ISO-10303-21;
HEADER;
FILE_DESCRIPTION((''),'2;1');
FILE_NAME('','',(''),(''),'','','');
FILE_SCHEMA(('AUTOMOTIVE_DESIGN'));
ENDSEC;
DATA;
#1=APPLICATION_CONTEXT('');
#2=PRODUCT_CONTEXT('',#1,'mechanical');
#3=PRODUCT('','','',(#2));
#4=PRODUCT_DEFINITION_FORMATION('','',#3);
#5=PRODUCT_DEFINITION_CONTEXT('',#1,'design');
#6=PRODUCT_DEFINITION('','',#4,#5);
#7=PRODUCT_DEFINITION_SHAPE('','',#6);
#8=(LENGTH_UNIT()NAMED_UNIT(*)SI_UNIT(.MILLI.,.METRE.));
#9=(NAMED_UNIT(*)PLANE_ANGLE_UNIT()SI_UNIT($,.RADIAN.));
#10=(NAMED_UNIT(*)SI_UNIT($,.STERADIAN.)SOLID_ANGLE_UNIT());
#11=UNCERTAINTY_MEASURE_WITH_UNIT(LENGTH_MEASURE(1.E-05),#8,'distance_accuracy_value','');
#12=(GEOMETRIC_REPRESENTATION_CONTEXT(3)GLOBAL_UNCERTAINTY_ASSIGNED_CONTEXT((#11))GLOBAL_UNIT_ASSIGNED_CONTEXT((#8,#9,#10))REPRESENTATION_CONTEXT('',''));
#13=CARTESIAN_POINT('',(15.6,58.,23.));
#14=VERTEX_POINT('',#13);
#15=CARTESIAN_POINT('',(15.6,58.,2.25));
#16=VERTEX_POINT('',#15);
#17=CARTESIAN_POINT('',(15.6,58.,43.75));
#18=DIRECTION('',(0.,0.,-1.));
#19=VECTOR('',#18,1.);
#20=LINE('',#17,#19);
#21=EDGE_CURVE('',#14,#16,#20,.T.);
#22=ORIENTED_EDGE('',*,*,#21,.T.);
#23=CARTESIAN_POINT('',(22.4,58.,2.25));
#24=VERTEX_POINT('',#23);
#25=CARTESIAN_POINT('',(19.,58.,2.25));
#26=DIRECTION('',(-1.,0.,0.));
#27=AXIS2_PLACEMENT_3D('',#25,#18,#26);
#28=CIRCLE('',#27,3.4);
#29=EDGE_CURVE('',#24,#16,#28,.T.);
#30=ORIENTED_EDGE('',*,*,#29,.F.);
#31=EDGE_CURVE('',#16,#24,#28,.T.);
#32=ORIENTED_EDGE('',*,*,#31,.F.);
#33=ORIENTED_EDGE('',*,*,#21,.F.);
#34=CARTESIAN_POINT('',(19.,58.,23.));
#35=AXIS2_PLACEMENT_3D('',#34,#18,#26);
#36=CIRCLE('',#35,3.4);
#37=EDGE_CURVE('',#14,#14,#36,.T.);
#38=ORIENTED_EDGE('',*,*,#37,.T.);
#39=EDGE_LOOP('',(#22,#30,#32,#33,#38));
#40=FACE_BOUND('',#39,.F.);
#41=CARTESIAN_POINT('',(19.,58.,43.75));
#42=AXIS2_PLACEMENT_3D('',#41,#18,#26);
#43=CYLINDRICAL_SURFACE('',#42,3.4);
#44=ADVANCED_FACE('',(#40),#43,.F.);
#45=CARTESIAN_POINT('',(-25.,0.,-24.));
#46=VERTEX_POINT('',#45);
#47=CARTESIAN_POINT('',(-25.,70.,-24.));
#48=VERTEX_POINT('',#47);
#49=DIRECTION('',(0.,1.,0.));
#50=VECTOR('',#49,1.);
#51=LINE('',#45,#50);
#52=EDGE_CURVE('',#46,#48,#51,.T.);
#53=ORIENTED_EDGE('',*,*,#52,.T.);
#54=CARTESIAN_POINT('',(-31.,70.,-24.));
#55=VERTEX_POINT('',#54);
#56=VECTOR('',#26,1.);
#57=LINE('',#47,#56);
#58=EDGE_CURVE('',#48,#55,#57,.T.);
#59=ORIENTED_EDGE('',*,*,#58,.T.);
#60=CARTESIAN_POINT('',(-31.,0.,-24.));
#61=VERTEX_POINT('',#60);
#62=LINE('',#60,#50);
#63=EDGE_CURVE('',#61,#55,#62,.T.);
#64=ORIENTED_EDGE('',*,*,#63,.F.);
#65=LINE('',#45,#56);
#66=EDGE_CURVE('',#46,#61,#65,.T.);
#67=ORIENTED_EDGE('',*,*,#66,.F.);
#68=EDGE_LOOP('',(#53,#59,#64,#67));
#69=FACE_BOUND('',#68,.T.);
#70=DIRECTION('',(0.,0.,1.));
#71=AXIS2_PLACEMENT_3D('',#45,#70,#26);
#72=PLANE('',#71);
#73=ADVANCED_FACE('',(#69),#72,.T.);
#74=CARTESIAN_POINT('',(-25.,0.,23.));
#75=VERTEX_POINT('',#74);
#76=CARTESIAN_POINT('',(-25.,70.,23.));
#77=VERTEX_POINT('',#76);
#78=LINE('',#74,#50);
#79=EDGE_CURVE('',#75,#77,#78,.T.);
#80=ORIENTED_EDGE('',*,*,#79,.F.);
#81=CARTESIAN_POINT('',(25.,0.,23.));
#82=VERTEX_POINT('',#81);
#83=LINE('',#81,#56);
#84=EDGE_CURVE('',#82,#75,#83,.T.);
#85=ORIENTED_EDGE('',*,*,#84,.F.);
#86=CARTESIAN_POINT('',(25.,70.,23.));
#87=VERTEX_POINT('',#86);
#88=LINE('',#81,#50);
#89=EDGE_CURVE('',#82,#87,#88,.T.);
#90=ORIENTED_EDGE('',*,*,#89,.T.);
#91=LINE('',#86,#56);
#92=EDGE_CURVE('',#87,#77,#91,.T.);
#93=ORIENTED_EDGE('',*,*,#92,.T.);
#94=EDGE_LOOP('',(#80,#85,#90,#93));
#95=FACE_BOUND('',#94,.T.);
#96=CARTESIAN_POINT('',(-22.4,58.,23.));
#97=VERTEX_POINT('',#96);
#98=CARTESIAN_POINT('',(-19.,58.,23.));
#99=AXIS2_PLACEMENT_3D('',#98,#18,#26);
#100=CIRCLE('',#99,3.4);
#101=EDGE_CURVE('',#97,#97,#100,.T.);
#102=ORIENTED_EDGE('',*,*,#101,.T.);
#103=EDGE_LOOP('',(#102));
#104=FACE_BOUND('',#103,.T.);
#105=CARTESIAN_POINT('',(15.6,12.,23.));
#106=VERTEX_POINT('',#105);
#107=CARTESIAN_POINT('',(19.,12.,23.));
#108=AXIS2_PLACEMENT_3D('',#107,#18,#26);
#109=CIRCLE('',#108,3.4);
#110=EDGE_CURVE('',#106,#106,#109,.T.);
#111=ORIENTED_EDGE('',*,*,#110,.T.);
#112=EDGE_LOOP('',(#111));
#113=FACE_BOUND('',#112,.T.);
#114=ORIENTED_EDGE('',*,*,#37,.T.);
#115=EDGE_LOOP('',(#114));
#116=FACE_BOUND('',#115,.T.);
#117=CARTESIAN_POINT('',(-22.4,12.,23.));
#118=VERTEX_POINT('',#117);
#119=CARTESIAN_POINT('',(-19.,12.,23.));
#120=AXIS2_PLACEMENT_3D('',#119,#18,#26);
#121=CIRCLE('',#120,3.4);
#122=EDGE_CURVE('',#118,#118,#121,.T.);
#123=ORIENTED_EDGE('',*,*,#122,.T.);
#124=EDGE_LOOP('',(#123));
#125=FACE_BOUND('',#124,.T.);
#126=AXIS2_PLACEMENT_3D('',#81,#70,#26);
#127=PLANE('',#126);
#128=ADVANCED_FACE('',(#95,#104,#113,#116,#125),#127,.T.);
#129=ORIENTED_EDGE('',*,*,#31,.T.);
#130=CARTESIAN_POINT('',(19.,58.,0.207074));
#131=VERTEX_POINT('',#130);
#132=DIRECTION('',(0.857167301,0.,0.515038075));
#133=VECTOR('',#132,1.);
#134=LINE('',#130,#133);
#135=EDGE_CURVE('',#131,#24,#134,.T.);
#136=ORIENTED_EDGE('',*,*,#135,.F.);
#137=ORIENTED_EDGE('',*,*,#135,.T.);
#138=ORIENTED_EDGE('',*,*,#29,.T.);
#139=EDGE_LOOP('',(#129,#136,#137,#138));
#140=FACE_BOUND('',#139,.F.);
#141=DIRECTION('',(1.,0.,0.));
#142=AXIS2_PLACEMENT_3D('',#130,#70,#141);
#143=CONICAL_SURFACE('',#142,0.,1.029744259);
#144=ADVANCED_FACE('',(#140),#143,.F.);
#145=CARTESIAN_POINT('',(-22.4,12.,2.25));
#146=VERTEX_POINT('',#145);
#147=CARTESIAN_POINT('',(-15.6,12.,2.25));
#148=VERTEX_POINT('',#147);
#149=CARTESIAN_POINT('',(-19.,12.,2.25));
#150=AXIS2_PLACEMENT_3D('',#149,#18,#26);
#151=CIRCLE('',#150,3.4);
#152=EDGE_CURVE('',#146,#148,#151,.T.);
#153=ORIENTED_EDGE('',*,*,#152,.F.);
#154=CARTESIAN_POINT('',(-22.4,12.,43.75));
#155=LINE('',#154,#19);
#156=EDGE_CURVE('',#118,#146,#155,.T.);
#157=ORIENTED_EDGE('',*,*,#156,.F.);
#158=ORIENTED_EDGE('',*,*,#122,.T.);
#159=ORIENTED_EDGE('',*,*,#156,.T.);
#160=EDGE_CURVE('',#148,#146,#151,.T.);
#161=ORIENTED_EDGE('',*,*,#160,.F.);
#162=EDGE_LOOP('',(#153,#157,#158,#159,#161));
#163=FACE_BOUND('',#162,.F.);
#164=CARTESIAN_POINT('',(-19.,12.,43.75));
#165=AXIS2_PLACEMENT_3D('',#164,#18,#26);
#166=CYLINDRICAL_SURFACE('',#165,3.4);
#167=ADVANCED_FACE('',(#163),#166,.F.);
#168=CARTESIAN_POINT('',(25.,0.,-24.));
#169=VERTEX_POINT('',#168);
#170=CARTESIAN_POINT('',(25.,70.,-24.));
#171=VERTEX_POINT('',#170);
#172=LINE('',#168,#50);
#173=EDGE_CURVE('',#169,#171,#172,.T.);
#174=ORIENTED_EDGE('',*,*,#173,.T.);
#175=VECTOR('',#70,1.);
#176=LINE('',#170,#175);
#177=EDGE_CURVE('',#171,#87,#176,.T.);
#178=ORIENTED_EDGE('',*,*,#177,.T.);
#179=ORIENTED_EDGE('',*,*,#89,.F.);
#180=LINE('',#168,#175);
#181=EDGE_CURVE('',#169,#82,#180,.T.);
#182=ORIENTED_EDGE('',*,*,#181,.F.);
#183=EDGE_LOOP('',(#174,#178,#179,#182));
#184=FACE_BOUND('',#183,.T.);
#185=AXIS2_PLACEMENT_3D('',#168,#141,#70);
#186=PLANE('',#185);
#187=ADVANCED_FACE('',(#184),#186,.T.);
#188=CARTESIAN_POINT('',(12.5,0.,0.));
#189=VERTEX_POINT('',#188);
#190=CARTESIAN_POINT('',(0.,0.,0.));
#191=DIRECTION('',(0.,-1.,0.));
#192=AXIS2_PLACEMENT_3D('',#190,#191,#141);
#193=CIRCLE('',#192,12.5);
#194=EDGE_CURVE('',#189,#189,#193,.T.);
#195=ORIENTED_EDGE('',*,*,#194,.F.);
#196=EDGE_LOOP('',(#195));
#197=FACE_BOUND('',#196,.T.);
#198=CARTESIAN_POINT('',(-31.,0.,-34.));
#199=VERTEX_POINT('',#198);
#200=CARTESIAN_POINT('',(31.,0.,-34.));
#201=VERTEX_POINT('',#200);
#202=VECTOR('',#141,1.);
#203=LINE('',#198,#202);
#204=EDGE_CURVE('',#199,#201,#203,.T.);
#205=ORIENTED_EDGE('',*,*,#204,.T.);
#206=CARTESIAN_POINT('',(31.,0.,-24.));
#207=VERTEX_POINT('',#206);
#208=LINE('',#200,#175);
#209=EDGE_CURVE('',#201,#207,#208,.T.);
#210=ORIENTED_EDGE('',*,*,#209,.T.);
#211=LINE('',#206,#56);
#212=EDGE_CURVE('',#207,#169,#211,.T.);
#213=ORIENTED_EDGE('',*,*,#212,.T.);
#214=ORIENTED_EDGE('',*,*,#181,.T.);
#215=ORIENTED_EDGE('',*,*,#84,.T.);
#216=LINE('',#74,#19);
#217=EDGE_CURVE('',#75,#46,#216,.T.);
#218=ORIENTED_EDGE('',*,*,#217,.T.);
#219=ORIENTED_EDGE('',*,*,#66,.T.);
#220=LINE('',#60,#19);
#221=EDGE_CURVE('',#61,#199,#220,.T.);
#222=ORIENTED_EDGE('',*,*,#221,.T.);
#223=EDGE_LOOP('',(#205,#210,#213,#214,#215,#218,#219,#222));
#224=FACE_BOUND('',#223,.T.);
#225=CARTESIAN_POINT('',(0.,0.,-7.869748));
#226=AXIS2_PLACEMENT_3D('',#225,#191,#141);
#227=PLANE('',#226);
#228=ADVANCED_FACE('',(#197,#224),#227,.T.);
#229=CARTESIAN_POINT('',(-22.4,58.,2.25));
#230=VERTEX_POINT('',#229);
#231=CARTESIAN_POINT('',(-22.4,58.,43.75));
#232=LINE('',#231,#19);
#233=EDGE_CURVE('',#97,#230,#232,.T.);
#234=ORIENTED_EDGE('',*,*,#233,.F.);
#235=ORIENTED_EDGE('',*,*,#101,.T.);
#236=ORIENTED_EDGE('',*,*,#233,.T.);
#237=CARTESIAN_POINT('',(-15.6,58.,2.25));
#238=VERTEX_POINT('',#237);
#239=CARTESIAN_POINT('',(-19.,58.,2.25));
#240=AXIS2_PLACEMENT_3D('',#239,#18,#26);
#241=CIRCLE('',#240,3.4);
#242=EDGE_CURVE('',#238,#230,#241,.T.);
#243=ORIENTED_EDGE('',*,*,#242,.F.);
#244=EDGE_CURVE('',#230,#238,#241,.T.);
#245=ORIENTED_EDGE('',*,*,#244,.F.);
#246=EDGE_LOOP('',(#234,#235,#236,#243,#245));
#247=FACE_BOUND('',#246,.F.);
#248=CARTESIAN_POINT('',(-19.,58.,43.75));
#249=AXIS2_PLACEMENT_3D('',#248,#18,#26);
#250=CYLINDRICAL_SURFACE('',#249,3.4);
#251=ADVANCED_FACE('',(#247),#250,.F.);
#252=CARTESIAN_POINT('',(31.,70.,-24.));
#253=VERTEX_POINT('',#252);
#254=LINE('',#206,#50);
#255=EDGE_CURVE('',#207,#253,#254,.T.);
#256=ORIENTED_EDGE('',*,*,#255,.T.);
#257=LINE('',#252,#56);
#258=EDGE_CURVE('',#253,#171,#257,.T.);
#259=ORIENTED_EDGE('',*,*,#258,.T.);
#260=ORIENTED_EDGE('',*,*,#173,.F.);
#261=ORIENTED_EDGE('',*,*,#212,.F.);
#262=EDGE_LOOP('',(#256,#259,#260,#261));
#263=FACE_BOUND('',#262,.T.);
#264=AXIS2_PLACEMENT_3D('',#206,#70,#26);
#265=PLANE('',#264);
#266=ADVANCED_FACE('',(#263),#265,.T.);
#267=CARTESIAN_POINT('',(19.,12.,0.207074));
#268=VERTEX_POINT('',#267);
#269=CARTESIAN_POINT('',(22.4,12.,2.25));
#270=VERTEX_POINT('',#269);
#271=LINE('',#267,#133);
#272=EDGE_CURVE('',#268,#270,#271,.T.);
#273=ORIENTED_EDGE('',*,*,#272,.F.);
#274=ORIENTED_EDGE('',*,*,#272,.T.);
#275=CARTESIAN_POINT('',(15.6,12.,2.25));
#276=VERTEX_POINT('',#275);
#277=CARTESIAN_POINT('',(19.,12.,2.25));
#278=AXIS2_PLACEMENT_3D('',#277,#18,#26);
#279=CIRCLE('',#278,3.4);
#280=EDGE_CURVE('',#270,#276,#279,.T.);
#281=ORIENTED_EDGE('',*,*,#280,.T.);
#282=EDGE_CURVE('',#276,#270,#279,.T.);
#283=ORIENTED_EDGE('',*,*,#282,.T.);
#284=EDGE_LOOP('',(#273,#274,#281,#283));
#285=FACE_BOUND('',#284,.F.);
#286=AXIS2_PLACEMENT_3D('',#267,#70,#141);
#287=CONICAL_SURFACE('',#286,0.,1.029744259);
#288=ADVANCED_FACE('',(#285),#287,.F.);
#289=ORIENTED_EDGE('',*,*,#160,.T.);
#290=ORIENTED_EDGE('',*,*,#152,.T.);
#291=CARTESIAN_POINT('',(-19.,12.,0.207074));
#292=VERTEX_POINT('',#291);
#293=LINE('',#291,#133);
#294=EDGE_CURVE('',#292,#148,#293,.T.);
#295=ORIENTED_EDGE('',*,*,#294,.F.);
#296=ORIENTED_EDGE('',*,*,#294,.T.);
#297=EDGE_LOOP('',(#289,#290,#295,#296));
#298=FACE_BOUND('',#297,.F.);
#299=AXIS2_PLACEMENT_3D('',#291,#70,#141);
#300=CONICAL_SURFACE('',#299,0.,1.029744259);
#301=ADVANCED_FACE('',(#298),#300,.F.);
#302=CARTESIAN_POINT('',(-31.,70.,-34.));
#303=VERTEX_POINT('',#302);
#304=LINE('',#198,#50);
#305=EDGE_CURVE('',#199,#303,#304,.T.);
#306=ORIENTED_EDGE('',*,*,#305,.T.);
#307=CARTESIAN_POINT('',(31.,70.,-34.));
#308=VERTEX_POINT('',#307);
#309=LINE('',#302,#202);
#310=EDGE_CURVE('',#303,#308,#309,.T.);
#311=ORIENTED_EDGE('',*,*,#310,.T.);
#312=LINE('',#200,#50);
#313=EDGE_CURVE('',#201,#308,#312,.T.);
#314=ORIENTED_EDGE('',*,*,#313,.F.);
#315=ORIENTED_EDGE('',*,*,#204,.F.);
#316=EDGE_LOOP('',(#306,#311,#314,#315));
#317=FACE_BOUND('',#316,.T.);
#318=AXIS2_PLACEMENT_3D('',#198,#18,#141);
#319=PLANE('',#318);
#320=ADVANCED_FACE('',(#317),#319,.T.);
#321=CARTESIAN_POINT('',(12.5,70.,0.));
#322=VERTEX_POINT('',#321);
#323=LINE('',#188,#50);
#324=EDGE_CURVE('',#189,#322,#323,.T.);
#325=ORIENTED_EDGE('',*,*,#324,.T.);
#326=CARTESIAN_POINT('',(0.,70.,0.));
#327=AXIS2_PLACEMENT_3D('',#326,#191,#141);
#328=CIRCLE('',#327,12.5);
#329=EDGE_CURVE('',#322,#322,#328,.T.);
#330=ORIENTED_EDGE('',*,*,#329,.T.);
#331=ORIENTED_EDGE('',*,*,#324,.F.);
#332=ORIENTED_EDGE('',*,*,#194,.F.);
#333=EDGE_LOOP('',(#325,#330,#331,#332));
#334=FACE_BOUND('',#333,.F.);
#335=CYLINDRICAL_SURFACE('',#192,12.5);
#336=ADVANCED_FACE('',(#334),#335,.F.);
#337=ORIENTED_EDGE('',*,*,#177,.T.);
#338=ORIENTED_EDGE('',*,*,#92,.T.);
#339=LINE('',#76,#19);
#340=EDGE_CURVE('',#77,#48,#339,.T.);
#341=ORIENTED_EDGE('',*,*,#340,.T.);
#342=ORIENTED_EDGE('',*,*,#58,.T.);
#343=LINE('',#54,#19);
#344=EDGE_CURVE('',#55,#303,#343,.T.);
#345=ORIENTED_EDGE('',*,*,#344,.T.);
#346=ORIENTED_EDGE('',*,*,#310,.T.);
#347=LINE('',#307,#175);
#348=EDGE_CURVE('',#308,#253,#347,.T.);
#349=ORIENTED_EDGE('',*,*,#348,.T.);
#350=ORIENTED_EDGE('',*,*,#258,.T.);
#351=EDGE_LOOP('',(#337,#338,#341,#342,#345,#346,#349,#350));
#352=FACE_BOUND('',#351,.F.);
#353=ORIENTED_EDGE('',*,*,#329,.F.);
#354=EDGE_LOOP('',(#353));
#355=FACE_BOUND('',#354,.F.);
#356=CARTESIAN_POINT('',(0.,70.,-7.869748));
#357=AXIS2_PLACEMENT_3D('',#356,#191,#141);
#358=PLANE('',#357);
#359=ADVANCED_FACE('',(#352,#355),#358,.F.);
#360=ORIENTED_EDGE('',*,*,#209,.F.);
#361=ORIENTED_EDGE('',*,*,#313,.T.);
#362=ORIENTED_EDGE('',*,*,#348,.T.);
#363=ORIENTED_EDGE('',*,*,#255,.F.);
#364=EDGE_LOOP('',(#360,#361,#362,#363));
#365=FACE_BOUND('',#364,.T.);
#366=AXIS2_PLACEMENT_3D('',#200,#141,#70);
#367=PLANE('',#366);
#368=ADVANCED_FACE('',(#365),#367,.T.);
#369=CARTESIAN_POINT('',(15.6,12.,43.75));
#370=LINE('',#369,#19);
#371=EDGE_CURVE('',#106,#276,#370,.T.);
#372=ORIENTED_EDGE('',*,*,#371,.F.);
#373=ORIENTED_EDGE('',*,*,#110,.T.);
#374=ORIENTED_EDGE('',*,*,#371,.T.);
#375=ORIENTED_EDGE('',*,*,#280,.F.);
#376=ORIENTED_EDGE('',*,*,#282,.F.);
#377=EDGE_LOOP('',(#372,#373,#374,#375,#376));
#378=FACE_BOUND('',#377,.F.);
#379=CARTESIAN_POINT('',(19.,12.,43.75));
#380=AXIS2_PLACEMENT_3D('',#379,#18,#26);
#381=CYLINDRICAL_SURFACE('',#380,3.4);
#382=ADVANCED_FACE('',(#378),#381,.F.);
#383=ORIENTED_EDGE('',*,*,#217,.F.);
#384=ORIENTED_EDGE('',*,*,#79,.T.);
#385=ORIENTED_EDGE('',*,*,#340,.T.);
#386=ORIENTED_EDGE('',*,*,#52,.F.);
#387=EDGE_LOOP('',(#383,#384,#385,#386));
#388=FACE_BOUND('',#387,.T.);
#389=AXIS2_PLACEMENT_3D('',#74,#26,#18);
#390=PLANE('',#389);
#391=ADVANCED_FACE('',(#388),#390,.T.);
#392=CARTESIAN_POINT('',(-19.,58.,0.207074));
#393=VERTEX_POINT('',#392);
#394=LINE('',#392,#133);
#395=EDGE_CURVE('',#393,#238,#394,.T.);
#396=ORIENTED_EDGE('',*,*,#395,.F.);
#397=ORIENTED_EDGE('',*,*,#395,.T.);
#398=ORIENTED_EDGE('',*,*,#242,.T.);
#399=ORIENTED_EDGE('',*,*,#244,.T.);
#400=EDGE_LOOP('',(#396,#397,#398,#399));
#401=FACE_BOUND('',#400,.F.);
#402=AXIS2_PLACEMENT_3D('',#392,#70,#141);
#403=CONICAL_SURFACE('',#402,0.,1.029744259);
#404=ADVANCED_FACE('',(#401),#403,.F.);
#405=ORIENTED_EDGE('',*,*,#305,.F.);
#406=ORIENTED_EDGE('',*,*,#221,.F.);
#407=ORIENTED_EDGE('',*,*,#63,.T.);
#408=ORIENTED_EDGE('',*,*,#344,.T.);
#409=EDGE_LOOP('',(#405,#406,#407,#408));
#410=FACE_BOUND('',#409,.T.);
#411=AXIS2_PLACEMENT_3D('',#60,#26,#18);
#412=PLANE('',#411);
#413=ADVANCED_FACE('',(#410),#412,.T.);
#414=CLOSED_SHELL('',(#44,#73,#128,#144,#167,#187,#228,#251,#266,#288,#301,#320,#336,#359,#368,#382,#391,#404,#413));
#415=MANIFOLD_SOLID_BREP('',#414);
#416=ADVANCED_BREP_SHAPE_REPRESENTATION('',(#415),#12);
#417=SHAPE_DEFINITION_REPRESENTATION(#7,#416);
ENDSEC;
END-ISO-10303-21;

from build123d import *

# Parameters (mm, degrees)
F0_R     = 12.5
F1_DEPTH = 70
F3_D     = 6.8
F3_DEPTH = 20.75
F3_TIP   = 2.0429261047


with BuildPart() as f1:
    # F0 (on Front) → F1 (new body)
    with BuildSketch(Plane.XZ):
        Polygon((25, 23), (0, 23), (-25, 23), (-25, -24), (-31, -24), (-31, -34), (0, -34), (31, -34), (31, -24), (25, -24), align=None)
        Circle(F0_R, mode=Mode.SUBTRACT)
    extrude(amount=-F1_DEPTH)

    # F3
    with Locations(Plane.XY.offset(23)):
        with Locations((-19, 58), (-19, 12), (19, 12), (19, 58)):
            Hole(F3_D / 2, depth=F3_DEPTH)
            with Locations((0, 0, -(F3_DEPTH + F3_TIP / 2))):  # 118° drill point
                Cone(0, F3_D / 2, F3_TIP, mode=Mode.SUBTRACT)


solid = f1.part
